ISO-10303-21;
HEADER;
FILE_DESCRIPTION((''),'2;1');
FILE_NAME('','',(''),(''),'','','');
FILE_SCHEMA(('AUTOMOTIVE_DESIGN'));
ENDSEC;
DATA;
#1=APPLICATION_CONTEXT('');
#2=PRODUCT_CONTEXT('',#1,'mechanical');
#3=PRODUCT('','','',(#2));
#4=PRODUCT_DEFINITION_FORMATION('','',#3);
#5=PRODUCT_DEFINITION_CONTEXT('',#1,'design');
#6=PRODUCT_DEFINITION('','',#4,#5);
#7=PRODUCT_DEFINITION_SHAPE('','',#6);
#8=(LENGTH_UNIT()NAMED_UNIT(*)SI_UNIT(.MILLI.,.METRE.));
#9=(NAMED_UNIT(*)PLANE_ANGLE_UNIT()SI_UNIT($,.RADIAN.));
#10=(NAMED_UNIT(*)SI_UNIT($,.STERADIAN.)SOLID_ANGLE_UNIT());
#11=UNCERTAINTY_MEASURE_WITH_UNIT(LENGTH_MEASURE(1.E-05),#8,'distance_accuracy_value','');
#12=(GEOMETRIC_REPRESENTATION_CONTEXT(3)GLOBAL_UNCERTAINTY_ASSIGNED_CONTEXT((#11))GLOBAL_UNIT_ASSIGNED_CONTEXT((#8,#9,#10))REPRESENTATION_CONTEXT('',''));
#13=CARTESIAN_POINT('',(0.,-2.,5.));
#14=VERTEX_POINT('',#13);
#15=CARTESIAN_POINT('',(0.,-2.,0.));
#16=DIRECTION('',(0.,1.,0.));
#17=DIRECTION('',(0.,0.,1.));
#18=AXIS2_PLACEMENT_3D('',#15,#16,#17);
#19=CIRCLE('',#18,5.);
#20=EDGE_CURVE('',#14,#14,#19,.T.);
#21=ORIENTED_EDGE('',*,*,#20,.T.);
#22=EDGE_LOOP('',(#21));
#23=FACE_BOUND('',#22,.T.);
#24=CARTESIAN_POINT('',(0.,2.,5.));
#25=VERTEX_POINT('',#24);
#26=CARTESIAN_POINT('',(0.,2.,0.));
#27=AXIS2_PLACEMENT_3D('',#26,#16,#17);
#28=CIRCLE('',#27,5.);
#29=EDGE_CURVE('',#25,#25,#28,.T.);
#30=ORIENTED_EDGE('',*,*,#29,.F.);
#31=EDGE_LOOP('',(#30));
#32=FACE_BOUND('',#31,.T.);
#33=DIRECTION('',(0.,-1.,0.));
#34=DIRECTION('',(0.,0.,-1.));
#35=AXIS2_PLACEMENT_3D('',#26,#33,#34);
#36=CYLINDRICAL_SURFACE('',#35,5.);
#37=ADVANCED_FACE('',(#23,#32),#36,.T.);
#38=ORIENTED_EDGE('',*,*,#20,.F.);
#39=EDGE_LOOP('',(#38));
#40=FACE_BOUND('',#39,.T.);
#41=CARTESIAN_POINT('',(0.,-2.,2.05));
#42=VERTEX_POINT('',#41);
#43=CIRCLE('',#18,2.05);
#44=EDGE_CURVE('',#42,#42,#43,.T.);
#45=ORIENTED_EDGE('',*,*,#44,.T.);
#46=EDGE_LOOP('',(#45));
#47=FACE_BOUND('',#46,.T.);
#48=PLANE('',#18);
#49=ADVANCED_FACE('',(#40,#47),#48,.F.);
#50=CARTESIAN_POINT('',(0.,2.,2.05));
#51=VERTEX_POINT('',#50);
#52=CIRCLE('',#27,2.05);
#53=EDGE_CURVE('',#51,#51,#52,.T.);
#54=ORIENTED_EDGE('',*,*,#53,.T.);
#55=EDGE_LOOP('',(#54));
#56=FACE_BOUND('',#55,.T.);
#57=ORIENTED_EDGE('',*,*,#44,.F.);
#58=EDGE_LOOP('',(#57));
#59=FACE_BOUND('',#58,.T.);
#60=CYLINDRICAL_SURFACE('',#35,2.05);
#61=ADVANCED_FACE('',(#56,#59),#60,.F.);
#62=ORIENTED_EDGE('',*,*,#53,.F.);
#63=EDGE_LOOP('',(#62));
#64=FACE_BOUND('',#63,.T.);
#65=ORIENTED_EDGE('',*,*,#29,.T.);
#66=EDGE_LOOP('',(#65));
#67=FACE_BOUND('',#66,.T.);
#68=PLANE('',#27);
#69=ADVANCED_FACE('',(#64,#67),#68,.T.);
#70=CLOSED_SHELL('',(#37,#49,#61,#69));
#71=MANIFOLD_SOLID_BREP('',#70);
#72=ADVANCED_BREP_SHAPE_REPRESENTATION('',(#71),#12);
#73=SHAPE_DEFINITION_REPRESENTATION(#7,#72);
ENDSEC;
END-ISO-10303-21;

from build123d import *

# Parameters (mm, degrees)
SKETCH_1_R      = 5
SKETCH_1_R_2    = 2.05
EXTRUDE_1_DEPTH = 2


with BuildPart() as part:
    # 草图1 → 凸台-拉伸1 (new, symmetric)
    with BuildSketch(Plane(origin=(0, 0, 0), x_dir=(1, 0, 0), z_dir=(0, 1, 0))):
        with Locations(Location((0, 0, 0), (0, 0, 270))):
            Circle(SKETCH_1_R)
        with Locations(Location((0, 0, 0), (0, 0, 270))):
            Circle(SKETCH_1_R_2, mode=Mode.SUBTRACT)
    extrude(amount=EXTRUDE_1_DEPTH, both=True)


solid = part.part
